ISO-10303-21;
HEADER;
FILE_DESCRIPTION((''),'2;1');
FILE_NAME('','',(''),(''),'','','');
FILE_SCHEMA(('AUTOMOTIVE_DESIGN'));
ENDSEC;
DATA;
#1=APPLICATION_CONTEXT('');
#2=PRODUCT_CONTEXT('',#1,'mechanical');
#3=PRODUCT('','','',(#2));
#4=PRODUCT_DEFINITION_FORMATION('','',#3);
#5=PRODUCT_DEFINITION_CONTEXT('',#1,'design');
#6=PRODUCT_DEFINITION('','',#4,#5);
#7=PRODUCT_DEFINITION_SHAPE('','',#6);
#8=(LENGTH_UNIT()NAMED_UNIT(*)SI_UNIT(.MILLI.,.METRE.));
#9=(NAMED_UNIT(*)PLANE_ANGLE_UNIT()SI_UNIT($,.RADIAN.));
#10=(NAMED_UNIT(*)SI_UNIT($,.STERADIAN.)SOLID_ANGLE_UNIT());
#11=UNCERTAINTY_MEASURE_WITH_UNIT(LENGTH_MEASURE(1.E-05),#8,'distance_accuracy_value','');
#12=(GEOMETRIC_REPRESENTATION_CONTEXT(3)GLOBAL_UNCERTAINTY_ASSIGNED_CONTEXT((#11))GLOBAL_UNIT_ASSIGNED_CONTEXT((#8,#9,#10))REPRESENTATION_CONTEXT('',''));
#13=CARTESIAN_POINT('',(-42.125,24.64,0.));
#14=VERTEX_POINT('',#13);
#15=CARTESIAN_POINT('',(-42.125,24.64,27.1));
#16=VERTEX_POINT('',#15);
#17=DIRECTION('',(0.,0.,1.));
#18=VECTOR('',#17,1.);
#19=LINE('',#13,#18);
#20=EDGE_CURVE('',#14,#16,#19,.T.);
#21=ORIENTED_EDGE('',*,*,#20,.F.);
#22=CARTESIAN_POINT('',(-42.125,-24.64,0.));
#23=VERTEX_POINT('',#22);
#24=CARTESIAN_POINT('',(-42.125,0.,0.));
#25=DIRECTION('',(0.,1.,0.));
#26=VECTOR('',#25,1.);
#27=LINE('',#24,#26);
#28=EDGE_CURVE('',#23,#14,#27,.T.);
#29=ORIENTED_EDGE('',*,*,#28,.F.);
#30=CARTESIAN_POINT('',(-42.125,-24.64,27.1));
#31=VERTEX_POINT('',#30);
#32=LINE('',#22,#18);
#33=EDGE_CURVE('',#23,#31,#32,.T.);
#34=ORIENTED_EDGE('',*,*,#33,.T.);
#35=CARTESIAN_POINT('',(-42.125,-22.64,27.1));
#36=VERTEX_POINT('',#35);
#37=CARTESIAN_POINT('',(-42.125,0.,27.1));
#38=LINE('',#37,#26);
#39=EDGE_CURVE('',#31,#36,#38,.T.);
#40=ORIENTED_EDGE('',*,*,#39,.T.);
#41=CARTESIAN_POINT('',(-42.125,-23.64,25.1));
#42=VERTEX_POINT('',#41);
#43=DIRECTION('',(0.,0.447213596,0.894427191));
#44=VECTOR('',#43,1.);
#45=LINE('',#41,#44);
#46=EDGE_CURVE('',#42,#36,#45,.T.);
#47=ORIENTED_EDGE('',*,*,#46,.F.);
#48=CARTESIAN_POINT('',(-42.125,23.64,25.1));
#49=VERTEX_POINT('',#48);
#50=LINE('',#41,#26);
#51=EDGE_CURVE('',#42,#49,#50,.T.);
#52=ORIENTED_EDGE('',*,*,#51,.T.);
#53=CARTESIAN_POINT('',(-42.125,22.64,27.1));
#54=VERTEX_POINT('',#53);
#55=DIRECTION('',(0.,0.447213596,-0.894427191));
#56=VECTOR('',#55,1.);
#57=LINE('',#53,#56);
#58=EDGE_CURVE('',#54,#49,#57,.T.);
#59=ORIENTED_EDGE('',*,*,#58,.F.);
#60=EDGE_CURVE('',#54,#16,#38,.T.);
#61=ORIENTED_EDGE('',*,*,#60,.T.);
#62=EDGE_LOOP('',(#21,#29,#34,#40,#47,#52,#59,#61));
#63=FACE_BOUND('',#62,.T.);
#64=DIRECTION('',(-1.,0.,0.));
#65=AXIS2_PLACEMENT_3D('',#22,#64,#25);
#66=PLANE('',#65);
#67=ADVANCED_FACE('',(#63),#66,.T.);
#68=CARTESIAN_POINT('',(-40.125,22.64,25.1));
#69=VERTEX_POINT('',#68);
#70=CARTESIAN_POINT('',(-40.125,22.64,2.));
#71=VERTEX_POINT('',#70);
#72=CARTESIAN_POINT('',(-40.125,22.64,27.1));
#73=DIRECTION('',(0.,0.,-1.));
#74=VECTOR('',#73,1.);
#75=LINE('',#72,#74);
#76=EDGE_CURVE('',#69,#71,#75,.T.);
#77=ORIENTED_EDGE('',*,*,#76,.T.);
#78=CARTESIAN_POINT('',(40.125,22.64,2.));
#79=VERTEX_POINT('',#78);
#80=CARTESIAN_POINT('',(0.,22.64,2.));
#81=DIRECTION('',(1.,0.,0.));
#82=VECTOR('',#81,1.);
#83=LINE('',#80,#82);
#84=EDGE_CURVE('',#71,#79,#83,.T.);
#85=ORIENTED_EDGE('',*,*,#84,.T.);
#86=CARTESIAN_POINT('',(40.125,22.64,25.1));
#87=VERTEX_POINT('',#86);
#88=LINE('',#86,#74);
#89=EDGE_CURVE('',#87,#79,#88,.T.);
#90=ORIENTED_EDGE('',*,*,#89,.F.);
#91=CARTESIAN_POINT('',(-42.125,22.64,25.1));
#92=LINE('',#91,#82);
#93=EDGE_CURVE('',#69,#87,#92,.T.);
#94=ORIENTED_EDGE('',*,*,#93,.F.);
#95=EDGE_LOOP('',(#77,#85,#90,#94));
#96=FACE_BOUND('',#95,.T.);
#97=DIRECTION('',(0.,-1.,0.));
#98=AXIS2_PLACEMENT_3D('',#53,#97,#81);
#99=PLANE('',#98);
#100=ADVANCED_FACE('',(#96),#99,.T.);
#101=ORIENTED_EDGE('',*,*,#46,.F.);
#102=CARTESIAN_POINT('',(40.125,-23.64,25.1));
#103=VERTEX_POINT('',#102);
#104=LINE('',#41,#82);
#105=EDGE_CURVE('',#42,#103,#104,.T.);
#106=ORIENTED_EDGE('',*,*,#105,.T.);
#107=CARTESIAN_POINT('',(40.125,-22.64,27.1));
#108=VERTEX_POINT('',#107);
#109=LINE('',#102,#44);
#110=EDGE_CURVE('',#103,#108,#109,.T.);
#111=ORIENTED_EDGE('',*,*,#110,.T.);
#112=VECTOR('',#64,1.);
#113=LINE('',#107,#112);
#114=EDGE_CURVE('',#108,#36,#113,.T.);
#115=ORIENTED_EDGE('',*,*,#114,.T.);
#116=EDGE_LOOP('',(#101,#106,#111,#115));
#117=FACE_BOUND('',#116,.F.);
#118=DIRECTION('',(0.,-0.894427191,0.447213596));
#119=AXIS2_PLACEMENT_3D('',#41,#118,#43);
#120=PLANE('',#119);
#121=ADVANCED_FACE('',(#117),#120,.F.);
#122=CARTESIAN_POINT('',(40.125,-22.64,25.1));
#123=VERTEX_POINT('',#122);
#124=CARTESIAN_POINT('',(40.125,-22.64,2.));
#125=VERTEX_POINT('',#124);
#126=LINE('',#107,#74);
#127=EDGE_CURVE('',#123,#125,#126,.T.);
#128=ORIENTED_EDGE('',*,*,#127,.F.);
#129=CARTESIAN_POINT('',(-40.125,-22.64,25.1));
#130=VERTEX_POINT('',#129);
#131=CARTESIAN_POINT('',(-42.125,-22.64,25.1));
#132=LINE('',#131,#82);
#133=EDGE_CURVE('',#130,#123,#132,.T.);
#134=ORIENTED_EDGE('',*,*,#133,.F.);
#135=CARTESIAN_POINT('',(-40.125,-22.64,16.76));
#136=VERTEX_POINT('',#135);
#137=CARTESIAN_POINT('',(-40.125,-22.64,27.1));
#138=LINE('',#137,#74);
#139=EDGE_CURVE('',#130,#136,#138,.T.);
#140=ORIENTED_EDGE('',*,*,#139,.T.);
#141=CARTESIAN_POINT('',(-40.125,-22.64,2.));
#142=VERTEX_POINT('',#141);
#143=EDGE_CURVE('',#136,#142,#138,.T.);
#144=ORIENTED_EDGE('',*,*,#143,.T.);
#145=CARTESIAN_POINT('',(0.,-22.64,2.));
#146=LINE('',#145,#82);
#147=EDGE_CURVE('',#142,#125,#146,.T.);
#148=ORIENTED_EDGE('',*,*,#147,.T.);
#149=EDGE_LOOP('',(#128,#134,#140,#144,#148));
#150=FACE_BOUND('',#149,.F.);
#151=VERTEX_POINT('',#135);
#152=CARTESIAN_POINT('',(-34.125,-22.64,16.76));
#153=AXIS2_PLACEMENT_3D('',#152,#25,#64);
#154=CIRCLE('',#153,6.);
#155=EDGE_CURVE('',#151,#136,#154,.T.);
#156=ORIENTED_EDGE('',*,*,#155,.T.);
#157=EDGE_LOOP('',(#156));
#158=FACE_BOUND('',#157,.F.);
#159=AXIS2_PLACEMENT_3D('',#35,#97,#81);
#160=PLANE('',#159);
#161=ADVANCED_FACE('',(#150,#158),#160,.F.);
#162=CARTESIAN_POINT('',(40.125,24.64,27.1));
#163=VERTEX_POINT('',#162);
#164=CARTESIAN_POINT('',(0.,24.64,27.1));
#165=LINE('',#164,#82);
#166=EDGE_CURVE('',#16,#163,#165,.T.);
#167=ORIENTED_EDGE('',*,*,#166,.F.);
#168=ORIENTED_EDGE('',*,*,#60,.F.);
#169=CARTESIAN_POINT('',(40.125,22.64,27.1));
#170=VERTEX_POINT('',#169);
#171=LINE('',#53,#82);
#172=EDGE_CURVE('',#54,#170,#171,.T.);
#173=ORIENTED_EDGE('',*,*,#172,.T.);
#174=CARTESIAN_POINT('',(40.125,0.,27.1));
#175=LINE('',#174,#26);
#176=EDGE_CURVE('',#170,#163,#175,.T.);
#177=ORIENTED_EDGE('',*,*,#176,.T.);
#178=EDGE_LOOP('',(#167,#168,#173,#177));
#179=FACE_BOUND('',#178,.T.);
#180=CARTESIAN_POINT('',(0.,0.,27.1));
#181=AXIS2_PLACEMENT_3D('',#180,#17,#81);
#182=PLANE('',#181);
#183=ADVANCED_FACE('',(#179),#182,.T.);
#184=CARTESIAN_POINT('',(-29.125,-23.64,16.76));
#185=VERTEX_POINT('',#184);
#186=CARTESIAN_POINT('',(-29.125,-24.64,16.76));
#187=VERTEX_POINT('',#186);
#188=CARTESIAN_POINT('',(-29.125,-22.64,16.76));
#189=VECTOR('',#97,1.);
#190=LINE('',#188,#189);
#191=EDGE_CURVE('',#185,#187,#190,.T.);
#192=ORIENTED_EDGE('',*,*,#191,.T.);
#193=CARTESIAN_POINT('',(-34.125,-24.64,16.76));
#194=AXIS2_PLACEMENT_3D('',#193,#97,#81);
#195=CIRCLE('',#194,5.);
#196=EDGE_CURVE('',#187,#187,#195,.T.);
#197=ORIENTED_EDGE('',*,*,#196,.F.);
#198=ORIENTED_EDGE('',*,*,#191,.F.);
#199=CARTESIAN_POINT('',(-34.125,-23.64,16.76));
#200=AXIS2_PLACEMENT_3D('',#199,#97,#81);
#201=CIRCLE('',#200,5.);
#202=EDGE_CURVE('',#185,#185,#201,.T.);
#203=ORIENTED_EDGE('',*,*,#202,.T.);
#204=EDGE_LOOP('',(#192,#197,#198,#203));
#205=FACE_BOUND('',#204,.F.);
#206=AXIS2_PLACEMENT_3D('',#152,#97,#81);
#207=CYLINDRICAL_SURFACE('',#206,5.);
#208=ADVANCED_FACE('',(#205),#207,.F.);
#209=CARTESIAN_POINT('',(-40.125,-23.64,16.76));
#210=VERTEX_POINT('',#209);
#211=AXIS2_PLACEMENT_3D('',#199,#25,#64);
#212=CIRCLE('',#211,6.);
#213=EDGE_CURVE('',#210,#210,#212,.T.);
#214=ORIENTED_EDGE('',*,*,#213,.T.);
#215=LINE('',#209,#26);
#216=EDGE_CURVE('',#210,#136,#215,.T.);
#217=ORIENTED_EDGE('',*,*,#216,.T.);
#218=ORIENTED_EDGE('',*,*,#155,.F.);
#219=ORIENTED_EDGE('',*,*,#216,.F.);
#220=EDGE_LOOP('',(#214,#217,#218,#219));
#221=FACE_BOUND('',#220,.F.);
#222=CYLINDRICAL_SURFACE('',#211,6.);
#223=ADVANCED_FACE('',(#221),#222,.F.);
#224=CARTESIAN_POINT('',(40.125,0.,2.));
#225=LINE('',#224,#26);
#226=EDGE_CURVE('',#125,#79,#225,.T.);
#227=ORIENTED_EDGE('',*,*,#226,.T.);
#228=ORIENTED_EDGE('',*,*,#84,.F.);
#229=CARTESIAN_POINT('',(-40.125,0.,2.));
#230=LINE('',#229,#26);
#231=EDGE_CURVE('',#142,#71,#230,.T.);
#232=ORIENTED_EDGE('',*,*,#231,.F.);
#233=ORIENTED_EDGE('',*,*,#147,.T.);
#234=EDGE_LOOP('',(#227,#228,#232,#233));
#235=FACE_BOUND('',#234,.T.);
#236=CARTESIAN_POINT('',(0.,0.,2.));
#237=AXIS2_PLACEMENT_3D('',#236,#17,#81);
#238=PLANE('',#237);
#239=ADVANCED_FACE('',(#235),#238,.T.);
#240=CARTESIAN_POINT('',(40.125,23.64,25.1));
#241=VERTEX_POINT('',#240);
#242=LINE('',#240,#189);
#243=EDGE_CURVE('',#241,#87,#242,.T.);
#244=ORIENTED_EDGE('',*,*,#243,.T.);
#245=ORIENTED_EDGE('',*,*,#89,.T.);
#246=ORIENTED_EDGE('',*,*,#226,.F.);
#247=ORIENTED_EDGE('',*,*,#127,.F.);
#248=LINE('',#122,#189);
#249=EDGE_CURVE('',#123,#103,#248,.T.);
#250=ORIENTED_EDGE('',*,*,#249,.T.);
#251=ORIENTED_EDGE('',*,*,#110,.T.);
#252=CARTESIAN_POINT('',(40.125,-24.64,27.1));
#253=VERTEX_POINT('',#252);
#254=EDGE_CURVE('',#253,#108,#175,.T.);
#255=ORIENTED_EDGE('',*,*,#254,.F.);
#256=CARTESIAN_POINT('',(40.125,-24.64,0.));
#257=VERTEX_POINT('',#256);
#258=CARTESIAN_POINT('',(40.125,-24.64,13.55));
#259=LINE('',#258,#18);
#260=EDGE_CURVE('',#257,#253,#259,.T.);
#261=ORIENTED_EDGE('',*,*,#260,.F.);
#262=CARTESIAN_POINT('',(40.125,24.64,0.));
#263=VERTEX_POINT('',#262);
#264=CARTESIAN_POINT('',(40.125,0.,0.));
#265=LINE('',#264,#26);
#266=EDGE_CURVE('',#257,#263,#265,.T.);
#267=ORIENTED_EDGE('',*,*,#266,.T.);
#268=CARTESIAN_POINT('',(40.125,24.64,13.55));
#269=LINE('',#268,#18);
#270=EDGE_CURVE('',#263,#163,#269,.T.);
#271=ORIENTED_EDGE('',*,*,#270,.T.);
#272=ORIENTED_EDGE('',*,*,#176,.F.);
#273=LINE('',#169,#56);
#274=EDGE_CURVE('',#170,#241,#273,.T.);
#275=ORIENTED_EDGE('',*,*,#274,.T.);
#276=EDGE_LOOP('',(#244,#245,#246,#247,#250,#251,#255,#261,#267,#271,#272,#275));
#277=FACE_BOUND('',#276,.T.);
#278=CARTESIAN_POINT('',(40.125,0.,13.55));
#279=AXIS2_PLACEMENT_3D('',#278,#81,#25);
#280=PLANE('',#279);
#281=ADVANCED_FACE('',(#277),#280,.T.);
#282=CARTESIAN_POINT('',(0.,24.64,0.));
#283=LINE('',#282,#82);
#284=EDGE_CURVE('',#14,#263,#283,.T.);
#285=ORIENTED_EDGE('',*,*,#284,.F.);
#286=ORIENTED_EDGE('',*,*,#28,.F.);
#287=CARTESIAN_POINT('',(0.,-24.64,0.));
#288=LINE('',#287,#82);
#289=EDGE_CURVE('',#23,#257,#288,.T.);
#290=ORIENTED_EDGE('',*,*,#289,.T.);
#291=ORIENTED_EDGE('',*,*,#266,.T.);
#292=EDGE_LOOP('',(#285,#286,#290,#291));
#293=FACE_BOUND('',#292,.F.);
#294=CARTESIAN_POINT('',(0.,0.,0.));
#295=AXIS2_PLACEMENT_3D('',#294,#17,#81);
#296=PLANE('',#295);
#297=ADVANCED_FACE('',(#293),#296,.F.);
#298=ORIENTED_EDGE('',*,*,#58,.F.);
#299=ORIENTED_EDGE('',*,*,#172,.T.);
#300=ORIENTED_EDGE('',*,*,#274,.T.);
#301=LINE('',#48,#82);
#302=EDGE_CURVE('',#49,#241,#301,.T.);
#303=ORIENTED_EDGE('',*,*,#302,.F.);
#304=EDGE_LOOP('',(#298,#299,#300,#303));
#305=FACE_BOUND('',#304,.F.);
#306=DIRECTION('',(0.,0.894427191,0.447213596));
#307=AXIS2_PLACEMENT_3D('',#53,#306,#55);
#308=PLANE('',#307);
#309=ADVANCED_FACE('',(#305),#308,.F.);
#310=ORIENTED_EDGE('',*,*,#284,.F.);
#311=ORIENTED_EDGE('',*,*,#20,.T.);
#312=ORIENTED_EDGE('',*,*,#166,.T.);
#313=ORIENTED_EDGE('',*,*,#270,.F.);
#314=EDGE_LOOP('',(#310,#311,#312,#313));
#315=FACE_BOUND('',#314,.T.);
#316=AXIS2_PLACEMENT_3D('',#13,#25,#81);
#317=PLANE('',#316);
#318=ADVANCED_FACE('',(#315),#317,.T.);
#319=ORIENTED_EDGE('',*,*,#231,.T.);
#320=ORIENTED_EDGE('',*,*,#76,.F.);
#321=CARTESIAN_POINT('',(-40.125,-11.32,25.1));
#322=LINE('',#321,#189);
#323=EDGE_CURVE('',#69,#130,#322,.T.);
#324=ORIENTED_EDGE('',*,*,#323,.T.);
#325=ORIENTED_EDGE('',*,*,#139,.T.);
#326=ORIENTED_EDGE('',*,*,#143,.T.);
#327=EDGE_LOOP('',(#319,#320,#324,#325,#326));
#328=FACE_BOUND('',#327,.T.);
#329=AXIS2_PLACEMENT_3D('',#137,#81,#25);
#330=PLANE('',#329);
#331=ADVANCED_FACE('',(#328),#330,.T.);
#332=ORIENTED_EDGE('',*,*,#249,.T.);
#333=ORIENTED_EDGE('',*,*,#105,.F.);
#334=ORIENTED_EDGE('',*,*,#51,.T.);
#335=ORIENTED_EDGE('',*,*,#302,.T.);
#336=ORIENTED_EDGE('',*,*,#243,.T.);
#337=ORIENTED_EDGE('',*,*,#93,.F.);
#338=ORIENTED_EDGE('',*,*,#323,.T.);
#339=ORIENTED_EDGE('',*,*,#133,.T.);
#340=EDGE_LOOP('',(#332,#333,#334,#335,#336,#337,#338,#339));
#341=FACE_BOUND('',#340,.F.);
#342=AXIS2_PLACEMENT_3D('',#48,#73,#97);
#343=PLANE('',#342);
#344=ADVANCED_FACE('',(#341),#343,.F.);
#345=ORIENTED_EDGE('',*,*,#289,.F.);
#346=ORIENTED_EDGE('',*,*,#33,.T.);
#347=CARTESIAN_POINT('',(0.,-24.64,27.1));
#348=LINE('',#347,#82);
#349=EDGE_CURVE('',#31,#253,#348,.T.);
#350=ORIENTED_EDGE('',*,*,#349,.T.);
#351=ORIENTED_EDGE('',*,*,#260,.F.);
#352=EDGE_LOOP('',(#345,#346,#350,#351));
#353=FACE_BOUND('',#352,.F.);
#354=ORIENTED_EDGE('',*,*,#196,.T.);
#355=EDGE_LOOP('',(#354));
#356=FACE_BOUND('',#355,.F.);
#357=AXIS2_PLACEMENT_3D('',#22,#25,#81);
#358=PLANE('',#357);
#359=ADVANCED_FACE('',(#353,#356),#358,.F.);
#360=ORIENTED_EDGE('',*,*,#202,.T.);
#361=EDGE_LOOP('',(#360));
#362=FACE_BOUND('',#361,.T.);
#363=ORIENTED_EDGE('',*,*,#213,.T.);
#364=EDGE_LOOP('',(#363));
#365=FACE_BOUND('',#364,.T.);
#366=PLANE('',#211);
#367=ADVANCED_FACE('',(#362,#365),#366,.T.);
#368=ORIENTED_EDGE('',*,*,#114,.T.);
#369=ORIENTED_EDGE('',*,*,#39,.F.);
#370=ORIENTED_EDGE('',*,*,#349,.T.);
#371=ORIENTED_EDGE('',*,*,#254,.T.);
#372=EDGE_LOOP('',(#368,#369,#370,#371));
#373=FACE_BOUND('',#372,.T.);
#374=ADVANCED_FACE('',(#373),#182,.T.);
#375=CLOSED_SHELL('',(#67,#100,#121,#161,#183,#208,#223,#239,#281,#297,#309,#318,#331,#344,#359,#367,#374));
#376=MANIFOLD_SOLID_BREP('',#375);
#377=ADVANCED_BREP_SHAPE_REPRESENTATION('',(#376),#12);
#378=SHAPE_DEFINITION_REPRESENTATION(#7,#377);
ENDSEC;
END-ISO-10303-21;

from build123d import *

# Parameters (mm, degrees)
F0_W           = 84.25
F0_H           = 49.28
F1_DEPTH       = 27.1
F2_W           = 80.25
F2_H           = 45.28
F3_DEPTH       = 25.1
F5_DEPTH       = 25
F5_DEPTH_BACK  = 25
F8_D           = 10
F8_DEPTH       = 2
F8_CBORE_D     = 12
F8_CBORE_DEPTH = 1
F9_W           = 4
F9_H           = 45.28
F10_DEPTH      = 2
F12_DEPTH      = 82.25
F13_W          = 49.28
F13_H          = 27.1
F13_W_2        = 18.18
F13_H_2        = 11.31
F14_DEPTH      = 2


with BuildPart() as f1:
    # F0 (on Top) → F1 (new body)
    with BuildSketch(Plane.XY):
        Rectangle(F0_W, F0_H)
    extrude(amount=F1_DEPTH)

    # F2 (on face) → F3 (cut)
    with BuildSketch(Plane.XY.offset(27.1)):
        Rectangle(F2_W, F2_H)
    extrude(amount=-F3_DEPTH, mode=Mode.SUBTRACT)

    # F4 (on face) → F5 (cut, two sides)
    with BuildSketch(Plane(origin=(40.125, 0, 0), x_dir=(0, -1, 0), z_dir=(-1, 0, 0))) as f5_sk:
        Polygon((-4.46, 20.205), (-22.64, 20.205), (-22.64, 14.55), (-22.64, 8.895), (-4.46, 8.895), align=None)
    extrude(amount=-F5_DEPTH, mode=Mode.SUBTRACT)
    extrude(f5_sk.sketch, amount=-F5_DEPTH_BACK, mode=Mode.SUBTRACT)

    # F8
    with Locations(Plane(origin=(0, -22.64, 0), x_dir=(-1, 0, 0), z_dir=(0, 1, 0))):
        with Locations((34.125, 16.76)):
            CounterBoreHole(F8_D / 2, F8_CBORE_D / 2, F8_CBORE_DEPTH, depth=F8_DEPTH)

    # F9 (on face) → F10 (cut)
    with BuildSketch(Plane.XY.offset(27.1)):
        with Locations((-40.125, 0)):
            Rectangle(F9_W, F9_H)
    extrude(amount=-F10_DEPTH, mode=Mode.SUBTRACT)

    # F11 (on face) → F12 (cut)
    with BuildSketch(Plane(origin=(-42.125, 0, 0), x_dir=(0, -1, 0), z_dir=(-1, 0, 0))):
        Polygon((22.64, 27.1), (22.64, 25.1), (23.64, 25.1), align=None)
        Polygon((-22.64, 27.1), (-23.64, 25.1), (-22.64, 25.1), align=None)
    extrude(amount=-F12_DEPTH, mode=Mode.SUBTRACT)

    # F13 (on face) → F14 (cut)
    with BuildSketch(Plane.YZ.offset(42.125)):
        with Locations((0, 13.55)):
            Rectangle(F13_W, F13_H)
        with Locations((13.55, 14.55)):
            Rectangle(F13_W_2, F13_H_2, mode=Mode.SUBTRACT)
    extrude(amount=-F14_DEPTH, mode=Mode.SUBTRACT)


solid = f1.part
